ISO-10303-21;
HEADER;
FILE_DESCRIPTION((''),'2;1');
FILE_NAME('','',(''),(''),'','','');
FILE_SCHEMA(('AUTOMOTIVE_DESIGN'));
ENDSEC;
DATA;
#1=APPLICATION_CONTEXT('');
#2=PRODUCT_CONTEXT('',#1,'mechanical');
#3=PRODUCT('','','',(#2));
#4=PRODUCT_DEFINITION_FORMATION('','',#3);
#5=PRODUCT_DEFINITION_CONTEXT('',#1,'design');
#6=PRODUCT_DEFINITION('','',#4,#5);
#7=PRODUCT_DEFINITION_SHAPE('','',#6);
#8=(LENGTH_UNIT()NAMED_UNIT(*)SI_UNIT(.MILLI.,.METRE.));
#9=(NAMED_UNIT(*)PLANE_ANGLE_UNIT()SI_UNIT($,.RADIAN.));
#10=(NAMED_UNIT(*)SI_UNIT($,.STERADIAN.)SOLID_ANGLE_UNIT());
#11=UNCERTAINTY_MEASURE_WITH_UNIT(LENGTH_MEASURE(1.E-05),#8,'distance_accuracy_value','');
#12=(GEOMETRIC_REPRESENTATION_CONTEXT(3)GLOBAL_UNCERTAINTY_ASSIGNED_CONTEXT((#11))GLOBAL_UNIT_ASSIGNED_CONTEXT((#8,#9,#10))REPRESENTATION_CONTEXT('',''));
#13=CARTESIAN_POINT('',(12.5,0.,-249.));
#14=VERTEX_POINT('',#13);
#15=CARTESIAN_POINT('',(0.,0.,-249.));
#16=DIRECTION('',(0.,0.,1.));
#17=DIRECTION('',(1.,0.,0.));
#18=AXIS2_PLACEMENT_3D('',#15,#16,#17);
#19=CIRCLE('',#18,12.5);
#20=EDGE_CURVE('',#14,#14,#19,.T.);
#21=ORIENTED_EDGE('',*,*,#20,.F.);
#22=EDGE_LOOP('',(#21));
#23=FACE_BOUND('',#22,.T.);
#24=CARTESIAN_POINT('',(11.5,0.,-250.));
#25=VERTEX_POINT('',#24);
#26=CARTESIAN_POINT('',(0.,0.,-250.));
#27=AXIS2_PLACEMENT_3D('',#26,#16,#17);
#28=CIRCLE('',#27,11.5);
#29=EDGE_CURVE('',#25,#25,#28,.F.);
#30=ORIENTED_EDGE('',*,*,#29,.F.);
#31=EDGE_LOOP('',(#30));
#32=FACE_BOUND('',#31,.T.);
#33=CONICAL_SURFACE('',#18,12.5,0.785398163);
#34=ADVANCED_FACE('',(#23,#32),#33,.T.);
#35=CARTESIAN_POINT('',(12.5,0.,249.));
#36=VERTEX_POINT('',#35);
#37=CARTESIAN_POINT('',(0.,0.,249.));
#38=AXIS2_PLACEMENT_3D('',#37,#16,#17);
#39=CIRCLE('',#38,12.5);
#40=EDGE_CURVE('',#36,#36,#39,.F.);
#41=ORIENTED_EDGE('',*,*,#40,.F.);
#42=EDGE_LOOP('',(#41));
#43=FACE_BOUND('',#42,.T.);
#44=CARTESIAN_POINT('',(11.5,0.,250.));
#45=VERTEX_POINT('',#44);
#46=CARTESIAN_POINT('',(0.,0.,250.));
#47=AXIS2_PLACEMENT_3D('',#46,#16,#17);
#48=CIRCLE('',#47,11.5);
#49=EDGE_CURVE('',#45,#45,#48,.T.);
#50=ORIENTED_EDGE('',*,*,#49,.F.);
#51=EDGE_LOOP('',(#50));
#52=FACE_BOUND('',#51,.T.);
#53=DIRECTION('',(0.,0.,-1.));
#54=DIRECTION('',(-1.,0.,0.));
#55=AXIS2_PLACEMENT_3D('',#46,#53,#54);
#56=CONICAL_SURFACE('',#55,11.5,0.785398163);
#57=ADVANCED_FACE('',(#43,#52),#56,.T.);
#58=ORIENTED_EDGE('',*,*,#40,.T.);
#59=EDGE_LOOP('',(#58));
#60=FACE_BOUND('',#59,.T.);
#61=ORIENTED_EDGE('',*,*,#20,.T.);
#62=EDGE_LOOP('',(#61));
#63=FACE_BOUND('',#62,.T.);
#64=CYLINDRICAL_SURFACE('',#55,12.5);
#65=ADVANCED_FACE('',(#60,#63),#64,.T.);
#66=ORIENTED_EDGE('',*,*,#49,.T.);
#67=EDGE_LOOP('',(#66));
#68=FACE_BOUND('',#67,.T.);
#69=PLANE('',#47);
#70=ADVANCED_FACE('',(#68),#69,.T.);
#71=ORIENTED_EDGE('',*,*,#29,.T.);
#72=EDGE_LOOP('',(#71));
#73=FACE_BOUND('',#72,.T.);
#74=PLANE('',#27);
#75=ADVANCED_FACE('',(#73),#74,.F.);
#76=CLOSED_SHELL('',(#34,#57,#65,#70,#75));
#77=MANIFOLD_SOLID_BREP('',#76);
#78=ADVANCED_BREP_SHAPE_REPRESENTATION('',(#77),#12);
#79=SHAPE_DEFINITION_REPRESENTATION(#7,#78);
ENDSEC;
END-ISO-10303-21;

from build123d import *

# Parameters (mm, degrees)
SKETCH_1_R      = 12.5
EXTRUDE_1_DEPTH = 250
CHAMFER_1_SIZE  = 1


with BuildPart() as part:
    # Эскиз1 → Бобышка-Вытянуть1 (new, symmetric)
    with BuildSketch(Plane.XY):
        Circle(SKETCH_1_R)
    extrude(amount=EXTRUDE_1_DEPTH, both=True)

    # Фаска1
    chamfer_1_edges = [part.edges().sort_by_distance(p)[0] for p in [
        (-12.5, 0, -250),
        (-12.5, 0, 250),
    ]]
    chamfer(chamfer_1_edges, length=CHAMFER_1_SIZE)


solid = part.part
